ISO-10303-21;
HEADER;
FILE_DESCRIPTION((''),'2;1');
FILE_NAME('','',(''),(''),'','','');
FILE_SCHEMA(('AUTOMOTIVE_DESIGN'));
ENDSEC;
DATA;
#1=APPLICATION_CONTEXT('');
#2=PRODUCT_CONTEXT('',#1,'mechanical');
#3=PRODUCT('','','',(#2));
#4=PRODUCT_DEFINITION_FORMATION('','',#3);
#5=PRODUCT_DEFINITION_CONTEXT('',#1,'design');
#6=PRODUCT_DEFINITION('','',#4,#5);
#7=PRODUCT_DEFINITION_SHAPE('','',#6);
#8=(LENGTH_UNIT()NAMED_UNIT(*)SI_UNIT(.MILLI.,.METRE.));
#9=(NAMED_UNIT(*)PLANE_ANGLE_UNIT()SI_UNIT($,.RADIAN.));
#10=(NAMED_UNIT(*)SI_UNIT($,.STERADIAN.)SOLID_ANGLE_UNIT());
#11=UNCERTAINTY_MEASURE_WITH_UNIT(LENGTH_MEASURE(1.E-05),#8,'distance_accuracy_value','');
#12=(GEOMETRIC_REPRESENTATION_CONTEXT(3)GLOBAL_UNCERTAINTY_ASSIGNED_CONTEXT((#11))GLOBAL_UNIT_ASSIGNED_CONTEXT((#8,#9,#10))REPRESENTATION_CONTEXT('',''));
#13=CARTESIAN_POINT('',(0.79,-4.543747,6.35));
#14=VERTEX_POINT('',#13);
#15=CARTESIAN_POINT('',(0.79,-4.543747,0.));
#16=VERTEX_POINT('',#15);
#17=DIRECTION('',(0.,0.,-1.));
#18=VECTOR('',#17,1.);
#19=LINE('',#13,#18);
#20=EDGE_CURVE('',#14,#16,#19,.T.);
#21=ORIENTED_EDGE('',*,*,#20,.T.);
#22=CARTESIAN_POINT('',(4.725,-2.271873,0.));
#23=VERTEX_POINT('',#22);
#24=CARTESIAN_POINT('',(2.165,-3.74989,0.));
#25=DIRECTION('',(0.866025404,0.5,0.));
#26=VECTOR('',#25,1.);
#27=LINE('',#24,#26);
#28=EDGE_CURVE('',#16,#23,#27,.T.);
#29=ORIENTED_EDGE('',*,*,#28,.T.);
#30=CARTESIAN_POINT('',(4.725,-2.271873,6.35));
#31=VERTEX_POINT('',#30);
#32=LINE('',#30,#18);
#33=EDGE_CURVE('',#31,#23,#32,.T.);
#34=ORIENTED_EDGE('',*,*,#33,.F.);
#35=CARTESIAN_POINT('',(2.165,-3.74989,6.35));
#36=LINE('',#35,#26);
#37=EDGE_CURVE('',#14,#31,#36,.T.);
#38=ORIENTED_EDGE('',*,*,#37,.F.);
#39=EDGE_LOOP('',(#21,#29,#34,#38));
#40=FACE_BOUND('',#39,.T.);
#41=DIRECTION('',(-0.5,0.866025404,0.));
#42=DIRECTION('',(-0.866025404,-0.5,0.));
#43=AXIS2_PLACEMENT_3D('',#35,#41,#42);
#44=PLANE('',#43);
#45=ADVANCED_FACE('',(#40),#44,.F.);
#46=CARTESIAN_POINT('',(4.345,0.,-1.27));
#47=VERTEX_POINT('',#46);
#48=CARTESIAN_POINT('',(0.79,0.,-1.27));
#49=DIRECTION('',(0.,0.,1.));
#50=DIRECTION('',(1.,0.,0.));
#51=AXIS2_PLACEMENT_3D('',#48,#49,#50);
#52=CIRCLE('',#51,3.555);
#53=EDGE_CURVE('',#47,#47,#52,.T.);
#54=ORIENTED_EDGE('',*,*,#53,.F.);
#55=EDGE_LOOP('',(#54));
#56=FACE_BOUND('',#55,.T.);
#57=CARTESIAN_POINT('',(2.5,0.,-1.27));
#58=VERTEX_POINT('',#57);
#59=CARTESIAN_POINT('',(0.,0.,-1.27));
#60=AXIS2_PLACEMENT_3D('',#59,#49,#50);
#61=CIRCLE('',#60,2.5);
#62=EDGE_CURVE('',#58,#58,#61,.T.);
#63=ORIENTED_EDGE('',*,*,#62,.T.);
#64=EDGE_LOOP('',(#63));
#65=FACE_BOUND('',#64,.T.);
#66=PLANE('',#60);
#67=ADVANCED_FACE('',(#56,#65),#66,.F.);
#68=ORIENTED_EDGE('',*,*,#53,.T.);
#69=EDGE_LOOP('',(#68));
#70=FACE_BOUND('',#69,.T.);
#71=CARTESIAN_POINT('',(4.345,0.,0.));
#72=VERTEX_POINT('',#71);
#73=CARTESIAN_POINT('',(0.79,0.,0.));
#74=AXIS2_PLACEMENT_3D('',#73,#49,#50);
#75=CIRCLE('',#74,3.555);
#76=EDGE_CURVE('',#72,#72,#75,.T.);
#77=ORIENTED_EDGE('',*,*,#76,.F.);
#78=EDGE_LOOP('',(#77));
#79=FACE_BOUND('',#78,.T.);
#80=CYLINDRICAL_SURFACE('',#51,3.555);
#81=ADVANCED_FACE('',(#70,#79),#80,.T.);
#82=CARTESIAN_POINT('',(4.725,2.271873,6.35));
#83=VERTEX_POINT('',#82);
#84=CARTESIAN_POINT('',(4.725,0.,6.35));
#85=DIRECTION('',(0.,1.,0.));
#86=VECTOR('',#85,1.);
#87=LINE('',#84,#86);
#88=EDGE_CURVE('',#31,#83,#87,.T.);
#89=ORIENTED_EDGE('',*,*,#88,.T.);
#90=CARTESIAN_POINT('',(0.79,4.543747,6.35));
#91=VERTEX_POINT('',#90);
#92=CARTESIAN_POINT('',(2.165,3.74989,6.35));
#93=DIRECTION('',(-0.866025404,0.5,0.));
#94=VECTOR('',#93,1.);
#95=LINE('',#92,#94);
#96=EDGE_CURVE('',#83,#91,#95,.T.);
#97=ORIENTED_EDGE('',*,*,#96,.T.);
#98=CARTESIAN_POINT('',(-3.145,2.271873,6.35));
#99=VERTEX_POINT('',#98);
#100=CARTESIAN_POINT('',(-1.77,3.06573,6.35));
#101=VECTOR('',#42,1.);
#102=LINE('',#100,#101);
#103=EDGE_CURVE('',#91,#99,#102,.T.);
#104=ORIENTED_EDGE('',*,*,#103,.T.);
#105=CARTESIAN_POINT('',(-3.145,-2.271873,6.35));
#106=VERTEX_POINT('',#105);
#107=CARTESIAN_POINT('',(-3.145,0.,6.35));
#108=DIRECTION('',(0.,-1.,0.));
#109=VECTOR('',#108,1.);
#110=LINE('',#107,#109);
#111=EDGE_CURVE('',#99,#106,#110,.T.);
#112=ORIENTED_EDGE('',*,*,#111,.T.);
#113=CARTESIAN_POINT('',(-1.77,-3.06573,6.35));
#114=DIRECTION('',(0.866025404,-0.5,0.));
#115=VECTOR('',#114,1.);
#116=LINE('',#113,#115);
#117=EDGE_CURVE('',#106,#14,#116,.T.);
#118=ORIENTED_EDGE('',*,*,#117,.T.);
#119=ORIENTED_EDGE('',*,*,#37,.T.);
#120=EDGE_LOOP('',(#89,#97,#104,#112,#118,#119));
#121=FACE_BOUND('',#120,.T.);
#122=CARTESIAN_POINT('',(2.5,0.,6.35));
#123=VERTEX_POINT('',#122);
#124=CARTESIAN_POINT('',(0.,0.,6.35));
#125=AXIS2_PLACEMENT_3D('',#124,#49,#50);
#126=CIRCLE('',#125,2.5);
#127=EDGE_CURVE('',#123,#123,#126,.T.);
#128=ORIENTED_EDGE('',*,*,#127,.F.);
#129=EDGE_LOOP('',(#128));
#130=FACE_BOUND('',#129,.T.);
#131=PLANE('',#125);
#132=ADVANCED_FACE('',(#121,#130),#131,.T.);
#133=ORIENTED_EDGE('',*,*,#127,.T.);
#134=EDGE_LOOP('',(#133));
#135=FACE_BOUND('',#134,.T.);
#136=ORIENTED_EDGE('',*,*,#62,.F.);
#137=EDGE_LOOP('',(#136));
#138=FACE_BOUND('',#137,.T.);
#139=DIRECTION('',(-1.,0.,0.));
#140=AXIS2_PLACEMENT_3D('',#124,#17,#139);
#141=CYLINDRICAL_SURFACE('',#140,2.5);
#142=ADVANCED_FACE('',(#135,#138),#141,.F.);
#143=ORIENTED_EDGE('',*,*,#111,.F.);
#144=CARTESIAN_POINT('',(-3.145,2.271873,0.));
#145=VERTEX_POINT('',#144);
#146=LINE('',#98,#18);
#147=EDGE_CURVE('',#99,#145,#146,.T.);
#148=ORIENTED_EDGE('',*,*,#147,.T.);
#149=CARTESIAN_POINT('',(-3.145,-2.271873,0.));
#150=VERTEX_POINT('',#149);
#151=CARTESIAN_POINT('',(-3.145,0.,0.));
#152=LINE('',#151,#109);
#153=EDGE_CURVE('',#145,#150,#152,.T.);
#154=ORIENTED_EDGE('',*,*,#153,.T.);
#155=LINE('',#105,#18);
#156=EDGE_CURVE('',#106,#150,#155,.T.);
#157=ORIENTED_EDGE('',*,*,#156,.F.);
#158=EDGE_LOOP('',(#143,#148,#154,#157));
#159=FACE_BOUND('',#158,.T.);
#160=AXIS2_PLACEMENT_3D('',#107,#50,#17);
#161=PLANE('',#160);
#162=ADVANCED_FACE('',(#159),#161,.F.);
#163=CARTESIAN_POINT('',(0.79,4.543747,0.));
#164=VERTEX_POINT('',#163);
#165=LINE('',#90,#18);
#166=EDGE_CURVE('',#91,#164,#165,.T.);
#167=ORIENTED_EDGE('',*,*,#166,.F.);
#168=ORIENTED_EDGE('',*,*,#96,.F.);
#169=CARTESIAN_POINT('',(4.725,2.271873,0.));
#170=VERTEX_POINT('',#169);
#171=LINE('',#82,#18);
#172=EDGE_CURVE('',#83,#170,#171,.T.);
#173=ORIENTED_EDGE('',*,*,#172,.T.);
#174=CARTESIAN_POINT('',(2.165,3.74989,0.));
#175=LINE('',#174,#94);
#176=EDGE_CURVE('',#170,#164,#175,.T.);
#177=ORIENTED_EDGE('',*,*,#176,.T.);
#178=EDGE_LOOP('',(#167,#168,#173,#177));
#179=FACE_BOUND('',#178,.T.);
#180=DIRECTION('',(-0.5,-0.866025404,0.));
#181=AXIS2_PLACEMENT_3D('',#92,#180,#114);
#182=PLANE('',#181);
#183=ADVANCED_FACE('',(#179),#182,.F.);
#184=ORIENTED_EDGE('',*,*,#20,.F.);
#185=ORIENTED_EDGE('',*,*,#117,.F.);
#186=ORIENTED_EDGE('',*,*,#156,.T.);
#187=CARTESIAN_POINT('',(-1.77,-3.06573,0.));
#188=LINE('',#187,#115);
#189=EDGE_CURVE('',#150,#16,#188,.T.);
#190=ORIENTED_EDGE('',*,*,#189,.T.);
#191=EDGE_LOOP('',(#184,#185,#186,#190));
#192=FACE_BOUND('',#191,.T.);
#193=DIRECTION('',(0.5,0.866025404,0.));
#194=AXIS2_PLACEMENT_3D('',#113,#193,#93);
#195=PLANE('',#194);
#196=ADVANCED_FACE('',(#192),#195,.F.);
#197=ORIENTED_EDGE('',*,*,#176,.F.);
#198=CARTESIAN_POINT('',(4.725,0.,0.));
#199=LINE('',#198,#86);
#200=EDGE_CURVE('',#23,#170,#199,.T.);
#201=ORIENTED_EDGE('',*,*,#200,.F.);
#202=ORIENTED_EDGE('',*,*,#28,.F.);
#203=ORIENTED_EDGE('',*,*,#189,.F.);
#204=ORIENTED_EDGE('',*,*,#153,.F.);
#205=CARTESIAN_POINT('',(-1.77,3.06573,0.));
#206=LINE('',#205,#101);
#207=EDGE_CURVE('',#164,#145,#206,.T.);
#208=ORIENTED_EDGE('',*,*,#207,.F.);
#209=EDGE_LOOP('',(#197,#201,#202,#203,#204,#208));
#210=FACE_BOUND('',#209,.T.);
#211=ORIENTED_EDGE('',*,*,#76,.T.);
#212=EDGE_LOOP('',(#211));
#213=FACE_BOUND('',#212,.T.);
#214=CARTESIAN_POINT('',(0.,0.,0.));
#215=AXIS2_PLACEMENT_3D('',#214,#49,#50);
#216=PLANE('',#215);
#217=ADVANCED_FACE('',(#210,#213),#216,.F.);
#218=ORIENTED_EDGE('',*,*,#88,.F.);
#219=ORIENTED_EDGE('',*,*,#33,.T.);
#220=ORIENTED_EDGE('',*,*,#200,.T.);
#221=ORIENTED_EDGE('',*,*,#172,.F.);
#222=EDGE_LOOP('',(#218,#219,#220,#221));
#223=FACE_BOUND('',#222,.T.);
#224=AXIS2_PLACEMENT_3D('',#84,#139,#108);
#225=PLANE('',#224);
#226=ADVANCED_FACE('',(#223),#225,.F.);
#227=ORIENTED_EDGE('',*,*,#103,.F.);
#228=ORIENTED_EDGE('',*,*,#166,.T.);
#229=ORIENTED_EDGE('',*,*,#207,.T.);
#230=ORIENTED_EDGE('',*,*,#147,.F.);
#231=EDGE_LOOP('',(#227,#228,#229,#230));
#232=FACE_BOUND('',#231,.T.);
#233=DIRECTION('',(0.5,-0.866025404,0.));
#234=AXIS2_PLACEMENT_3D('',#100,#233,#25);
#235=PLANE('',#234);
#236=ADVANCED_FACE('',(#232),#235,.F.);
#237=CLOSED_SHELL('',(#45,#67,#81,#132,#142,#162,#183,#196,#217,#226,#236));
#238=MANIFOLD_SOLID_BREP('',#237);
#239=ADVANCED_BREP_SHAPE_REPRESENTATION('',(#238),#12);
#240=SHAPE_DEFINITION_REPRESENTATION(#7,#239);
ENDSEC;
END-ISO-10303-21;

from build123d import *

# Parameters (mm, degrees)
SKETCH1_R           = 2.5
BOSS_EXTRUDE3_DEPTH = 6.35
BOSS_EXTRUDE4_START = -1.27
SKETCH1_5_R         = 3.555
SKETCH1_5_R_2       = 2.5
BOSS_EXTRUDE4_DEPTH = 1.27


with BuildPart() as part:
    # Sketch1 → Boss-Extrude3 (new body)
    with BuildSketch(Plane.XY):
        Polygon((4.725, 2.271873309), (0.79, 4.543746619), (-3.145, 2.271873309), (-3.145, -2.271873309), (0.79, -4.543746619), (4.725, -2.271873309), align=None)
        Circle(SKETCH1_R, mode=Mode.SUBTRACT)
    extrude(amount=BOSS_EXTRUDE3_DEPTH)

    # Sketch1<5> → Boss-Extrude4 (add)
    with BuildSketch(Plane.XY.offset(BOSS_EXTRUDE4_START)):
        with Locations((0.79, 0)):
            Circle(SKETCH1_5_R)
        Circle(SKETCH1_5_R_2, mode=Mode.SUBTRACT)
    extrude(amount=BOSS_EXTRUDE4_DEPTH)


solid = part.part
